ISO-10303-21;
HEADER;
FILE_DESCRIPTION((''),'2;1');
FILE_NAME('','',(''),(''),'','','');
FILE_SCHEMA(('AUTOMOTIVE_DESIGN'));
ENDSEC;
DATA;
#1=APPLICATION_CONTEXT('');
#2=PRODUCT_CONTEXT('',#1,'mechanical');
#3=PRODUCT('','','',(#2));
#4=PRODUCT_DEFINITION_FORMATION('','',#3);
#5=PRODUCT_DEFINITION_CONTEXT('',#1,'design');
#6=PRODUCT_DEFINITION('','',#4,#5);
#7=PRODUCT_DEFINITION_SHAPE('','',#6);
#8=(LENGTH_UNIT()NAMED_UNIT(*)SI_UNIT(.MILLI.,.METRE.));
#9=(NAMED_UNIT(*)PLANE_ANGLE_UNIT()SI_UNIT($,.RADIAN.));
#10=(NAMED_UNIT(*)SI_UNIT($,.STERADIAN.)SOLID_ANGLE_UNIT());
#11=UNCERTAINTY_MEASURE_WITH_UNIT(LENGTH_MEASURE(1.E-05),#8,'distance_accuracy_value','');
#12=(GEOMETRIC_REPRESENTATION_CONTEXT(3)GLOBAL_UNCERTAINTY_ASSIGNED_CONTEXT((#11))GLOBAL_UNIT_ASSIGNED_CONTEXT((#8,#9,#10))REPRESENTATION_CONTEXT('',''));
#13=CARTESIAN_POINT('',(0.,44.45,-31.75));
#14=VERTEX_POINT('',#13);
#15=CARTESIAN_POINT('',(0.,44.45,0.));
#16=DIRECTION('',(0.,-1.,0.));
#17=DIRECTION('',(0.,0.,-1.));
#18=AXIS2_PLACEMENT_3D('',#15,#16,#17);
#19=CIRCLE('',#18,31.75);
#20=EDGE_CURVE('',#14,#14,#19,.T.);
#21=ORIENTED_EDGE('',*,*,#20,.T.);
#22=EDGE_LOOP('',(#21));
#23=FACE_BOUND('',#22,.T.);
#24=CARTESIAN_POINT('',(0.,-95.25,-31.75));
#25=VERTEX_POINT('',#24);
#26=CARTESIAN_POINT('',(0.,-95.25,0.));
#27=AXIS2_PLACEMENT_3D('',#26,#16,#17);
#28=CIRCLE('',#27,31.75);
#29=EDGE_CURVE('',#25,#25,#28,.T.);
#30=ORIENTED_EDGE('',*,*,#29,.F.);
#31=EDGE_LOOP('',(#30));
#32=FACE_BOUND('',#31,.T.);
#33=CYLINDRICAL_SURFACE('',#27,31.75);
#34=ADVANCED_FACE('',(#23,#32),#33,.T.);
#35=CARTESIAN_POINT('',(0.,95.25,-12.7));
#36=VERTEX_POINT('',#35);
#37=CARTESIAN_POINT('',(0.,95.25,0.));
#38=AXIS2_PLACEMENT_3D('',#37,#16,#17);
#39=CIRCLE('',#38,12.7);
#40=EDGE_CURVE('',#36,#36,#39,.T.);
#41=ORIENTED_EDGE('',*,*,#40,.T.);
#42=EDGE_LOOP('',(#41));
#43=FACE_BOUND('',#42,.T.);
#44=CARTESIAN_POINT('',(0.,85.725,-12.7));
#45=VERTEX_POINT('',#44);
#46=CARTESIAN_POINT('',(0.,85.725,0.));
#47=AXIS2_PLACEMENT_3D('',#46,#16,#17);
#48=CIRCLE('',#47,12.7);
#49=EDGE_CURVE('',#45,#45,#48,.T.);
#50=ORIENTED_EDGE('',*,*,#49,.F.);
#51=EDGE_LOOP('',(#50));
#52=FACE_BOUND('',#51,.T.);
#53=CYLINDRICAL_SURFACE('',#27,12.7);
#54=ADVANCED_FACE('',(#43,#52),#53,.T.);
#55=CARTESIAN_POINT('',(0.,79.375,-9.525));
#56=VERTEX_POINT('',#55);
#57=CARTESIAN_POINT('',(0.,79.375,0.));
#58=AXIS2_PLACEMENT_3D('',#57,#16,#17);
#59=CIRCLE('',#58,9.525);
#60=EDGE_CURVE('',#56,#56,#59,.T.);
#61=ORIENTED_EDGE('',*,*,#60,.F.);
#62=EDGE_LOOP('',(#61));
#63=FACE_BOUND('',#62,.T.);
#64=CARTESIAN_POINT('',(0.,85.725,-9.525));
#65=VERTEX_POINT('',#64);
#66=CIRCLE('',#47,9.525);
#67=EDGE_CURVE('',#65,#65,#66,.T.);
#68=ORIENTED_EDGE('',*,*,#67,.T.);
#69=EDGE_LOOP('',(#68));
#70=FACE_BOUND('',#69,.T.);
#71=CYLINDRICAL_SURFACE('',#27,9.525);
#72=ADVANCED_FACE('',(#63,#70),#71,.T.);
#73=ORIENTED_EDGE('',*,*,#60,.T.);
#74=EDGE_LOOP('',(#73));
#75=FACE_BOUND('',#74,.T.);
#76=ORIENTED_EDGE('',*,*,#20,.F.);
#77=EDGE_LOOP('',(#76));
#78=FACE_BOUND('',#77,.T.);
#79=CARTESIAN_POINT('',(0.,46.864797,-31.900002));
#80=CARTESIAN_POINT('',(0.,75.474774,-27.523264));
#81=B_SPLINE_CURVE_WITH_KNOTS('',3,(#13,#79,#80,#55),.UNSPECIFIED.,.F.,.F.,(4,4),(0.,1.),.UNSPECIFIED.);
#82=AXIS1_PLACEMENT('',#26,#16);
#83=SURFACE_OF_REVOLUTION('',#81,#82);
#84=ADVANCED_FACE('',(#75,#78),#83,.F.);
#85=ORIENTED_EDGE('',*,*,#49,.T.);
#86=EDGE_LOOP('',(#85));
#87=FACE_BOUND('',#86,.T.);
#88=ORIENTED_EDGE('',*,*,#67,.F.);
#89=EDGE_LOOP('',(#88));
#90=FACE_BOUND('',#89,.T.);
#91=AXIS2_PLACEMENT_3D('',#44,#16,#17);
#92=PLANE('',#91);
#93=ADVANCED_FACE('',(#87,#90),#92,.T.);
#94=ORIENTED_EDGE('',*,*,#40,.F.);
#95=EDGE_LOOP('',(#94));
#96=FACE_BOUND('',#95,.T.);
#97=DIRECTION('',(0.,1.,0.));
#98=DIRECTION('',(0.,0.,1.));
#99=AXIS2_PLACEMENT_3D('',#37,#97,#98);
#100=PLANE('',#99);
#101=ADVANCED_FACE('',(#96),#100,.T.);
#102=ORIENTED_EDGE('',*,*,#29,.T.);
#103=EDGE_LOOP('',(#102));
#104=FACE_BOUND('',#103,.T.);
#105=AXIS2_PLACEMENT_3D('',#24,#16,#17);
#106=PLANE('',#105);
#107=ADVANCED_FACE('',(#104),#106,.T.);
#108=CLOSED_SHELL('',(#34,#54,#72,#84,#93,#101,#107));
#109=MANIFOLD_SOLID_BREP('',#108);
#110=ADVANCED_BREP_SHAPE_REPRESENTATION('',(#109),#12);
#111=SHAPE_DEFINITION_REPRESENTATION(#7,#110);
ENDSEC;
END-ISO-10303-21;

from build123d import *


with BuildPart() as part:
    # Sketch1 → Revolve1 (revolve)
    with BuildSketch(Plane(origin=(0, 0, 0), x_dir=(0, 0, -1), z_dir=(1, 0, 0))):
        with BuildLine():
            Line((0, 95.25), (12.7, 95.25))
            Line((12.7, 95.25), (12.7, 85.725))
            Line((12.7, 85.725), (9.525, 85.725))
            Line((9.525, 85.725), (9.525, 79.375))
            add(Edge.make_bspline(
                [(9.525, 79.375), (27.523263922, 75.474774462), (31.900002123, 46.864796856), (31.75, 44.45)],
                knots=[0, 0, 0, 0, 1, 1, 1, 1], degree=3))
            Line((31.75, 44.45), (31.75, -95.25))
            Line((31.75, -95.25), (0, -95.25))
            Line((0, -95.25), (0, 95.25))
        make_face()
    revolve(axis=Axis((0, -95.25, 0), (0, 1, 0)))


solid = part.part
